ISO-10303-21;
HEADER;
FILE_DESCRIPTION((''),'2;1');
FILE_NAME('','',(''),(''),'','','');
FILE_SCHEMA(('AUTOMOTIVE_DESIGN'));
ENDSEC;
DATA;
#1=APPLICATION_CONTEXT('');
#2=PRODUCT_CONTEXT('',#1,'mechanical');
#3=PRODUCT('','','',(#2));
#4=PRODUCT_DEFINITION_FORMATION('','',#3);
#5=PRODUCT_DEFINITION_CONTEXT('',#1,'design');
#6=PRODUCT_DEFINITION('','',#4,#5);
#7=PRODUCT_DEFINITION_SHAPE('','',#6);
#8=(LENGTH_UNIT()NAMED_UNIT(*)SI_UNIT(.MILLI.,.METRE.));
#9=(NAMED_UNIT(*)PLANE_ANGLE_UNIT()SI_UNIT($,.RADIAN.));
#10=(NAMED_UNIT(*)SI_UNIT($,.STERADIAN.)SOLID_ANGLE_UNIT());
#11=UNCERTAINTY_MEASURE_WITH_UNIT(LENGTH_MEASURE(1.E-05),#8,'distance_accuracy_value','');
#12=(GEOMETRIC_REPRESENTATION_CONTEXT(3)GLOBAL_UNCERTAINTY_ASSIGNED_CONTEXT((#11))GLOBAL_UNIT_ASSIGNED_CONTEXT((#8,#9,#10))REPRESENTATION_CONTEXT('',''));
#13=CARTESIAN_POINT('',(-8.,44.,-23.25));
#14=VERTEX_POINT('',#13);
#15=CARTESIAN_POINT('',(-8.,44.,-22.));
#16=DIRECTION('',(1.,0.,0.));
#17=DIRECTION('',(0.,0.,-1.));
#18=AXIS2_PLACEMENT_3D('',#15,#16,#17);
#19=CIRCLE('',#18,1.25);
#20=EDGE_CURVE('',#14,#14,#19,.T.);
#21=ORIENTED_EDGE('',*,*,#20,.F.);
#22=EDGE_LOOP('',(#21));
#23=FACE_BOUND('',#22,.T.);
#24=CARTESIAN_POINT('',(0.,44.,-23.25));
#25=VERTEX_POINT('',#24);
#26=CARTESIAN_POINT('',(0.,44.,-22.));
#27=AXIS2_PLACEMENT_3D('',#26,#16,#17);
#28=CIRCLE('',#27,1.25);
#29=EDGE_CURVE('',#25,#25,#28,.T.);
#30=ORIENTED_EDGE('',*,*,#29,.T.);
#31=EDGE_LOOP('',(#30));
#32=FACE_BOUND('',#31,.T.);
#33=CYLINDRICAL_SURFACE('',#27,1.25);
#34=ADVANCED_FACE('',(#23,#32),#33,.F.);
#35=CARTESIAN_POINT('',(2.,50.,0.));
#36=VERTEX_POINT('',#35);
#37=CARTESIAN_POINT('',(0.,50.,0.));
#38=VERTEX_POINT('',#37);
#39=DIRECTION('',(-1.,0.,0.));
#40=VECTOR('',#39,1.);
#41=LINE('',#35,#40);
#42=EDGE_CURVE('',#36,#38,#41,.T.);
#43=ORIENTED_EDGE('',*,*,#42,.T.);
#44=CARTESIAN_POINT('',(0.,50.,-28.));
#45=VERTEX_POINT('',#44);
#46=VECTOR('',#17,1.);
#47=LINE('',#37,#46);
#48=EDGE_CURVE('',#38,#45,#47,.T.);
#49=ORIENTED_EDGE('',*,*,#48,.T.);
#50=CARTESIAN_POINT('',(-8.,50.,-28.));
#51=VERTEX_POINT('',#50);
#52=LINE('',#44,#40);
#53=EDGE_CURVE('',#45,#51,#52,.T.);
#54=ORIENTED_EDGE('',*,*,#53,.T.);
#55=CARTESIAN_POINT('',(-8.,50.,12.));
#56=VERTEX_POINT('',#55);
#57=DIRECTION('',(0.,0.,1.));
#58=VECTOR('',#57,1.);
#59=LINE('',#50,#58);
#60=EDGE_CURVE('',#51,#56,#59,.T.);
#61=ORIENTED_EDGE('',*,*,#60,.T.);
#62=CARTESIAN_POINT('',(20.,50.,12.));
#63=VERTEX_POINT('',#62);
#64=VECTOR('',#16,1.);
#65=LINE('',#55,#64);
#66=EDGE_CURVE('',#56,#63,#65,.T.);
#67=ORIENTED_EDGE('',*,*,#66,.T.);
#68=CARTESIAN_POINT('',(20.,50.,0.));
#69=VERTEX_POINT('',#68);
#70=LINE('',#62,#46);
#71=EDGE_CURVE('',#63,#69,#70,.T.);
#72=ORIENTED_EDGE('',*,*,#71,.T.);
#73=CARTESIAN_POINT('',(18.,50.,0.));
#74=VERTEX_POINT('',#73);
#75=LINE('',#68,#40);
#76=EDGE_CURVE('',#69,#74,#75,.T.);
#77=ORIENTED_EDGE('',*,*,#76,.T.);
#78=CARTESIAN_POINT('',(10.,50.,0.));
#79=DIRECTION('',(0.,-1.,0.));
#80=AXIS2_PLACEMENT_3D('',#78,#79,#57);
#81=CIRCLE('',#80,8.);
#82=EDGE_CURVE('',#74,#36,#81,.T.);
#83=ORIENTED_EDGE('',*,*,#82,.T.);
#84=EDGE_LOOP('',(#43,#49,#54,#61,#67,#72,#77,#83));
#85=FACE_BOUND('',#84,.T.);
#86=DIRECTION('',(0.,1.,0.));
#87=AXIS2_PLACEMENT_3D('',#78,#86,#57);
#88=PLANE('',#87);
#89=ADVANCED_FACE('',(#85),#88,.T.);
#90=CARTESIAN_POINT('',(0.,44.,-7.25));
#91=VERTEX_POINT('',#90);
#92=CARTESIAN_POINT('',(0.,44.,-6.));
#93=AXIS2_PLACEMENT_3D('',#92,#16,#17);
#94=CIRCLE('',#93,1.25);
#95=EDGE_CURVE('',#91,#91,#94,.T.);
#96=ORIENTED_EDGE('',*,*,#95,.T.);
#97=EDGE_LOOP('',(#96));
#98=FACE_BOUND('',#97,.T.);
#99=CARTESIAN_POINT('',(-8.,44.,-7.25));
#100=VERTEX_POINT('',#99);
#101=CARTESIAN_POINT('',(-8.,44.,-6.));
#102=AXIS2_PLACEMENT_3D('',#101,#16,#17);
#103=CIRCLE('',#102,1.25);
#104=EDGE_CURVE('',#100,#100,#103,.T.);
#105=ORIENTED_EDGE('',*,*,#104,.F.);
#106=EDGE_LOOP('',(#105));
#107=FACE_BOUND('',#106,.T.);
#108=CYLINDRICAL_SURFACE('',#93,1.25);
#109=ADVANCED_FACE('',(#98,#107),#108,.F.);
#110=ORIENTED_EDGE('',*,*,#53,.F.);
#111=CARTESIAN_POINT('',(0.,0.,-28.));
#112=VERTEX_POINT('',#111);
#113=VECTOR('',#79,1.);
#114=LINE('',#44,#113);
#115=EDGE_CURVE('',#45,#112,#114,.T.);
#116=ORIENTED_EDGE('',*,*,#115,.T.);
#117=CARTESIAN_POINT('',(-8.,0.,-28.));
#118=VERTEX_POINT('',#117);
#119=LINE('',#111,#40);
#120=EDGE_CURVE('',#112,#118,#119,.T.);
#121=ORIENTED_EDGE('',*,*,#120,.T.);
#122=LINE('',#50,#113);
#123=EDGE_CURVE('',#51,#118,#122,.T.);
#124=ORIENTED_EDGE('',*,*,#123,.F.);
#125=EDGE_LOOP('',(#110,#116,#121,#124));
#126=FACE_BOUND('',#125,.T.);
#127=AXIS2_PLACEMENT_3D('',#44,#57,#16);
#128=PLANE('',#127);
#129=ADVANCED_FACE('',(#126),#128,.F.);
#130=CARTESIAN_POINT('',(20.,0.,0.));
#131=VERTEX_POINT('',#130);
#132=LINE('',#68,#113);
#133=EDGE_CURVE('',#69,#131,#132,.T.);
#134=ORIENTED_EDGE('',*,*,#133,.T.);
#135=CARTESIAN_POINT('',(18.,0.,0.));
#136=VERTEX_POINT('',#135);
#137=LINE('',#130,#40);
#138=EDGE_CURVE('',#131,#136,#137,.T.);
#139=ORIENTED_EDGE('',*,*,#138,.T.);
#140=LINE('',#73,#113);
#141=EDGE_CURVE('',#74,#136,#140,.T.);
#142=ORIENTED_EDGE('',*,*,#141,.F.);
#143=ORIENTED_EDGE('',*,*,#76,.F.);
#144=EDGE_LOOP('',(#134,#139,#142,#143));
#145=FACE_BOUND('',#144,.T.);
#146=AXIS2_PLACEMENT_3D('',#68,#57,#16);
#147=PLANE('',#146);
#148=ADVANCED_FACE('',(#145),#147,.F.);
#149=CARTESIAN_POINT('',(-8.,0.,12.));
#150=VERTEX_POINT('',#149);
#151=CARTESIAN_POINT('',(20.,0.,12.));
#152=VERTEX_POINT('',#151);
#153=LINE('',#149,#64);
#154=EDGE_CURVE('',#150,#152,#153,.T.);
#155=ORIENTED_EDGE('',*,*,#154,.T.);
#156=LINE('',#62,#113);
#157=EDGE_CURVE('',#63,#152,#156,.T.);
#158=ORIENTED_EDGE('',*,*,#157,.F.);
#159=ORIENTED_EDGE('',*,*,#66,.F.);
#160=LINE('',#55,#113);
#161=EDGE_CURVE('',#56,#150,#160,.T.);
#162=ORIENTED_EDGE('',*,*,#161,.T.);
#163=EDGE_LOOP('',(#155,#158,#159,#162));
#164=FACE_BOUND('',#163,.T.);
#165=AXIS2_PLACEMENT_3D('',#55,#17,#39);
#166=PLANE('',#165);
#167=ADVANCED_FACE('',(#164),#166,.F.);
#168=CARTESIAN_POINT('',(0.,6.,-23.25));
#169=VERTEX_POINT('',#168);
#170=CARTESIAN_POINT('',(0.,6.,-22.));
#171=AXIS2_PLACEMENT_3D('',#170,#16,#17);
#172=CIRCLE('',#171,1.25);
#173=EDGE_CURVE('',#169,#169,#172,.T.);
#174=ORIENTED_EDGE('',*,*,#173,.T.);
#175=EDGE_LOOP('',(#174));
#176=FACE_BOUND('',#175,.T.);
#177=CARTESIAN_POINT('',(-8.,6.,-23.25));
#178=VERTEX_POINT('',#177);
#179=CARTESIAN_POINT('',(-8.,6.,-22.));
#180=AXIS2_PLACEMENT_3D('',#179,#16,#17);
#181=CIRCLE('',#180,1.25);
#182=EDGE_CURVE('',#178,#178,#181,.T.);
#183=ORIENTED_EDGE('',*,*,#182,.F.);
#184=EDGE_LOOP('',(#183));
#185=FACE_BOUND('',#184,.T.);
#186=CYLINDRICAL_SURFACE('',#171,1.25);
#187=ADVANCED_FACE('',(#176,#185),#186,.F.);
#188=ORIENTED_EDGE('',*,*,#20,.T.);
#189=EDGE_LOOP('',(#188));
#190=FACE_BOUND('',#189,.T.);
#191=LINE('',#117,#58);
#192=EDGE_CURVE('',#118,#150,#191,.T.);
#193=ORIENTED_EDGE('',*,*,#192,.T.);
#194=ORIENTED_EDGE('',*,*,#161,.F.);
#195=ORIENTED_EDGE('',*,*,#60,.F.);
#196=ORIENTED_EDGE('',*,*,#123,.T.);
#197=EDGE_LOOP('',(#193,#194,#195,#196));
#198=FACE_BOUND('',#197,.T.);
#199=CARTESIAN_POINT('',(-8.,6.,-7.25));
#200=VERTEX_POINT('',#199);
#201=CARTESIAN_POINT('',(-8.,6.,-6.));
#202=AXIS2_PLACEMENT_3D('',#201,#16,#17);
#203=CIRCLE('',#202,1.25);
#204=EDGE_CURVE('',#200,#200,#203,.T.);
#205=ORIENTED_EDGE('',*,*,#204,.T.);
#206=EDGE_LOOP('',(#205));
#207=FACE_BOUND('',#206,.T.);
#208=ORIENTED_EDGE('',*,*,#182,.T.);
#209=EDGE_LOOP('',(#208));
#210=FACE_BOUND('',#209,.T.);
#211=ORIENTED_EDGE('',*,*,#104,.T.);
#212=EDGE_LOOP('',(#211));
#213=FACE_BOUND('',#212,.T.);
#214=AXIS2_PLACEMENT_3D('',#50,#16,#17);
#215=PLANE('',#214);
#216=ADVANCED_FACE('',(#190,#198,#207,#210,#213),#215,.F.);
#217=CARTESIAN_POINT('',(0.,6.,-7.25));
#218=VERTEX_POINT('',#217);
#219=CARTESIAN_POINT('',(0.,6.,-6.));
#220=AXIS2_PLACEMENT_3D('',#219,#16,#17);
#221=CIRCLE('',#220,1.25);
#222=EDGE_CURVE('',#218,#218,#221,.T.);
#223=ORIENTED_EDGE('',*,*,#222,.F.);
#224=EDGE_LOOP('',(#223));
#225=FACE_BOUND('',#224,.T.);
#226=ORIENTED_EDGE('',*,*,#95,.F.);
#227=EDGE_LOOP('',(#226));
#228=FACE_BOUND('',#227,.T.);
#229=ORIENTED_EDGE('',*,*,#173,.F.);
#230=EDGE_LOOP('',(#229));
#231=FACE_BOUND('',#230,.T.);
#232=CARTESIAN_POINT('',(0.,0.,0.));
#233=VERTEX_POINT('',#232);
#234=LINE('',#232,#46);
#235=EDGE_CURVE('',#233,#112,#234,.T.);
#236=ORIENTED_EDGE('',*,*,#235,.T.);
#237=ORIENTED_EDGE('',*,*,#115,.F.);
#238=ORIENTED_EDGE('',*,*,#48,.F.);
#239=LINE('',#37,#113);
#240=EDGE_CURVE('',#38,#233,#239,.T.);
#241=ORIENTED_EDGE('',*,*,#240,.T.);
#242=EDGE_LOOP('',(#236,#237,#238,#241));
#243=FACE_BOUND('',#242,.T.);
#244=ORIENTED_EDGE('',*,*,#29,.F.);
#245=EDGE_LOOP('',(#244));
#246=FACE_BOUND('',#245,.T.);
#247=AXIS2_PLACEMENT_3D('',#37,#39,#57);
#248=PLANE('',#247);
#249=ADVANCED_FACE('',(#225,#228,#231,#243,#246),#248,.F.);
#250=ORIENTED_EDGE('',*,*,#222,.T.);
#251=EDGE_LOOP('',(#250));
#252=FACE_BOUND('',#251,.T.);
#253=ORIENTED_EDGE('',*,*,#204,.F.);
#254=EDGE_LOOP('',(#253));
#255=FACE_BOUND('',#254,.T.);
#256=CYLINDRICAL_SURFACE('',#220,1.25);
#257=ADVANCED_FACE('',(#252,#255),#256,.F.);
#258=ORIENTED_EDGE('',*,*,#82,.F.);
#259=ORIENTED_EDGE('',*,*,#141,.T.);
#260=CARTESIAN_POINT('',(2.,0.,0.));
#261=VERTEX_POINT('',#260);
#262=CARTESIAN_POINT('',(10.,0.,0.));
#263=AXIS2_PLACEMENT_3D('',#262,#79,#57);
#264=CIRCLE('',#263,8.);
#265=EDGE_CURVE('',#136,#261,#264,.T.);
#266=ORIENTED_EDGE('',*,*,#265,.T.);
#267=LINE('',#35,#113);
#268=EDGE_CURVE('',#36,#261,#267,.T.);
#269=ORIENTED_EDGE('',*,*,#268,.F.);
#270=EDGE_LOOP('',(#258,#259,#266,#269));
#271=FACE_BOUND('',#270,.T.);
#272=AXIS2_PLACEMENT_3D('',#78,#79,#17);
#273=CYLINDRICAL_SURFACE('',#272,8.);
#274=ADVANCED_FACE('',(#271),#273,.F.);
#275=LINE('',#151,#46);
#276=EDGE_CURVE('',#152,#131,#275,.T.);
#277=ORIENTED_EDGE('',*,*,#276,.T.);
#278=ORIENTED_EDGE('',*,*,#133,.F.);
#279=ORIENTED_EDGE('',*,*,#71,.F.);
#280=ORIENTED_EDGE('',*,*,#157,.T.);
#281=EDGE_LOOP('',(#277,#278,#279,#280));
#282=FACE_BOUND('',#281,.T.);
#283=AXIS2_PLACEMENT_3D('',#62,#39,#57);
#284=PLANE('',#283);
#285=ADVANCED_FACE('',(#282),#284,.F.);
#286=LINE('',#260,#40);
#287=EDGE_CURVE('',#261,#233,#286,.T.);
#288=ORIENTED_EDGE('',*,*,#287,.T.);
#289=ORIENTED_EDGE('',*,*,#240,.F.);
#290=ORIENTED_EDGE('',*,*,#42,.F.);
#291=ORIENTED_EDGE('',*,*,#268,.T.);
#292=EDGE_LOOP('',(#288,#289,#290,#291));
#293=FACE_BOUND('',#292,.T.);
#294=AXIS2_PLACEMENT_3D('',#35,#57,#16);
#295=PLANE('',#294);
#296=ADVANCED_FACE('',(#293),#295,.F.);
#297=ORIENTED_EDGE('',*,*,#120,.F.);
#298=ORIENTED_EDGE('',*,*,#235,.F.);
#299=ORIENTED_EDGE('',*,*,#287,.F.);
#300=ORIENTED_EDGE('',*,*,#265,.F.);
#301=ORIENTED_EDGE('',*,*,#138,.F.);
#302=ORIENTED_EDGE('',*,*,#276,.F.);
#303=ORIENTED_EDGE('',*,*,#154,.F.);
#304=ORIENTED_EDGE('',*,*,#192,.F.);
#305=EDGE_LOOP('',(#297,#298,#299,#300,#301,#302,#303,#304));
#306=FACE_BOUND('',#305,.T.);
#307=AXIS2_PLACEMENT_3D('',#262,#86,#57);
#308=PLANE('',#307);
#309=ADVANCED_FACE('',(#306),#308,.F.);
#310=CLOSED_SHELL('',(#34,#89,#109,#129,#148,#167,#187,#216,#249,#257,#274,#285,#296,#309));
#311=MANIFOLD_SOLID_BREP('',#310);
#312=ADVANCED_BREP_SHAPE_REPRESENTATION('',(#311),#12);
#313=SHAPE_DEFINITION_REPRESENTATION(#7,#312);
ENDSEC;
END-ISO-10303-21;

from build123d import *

# Parameters (mm, degrees)
EXTRUDE_1_DEPTH    = 50
HOLE_WIZARD_M3_1_D = 2.5


with BuildPart() as part:
    # 草图1 → 凸台-拉伸1 (new body)
    with BuildSketch(Plane(origin=(0, 0, 0), x_dir=(1, 0, 0), z_dir=(0, 1, 0))):
        with BuildLine():
            Line((0, 0), (0, 28))
            Line((0, 28), (-8, 28))
            Line((-8, 28), (-8, -12))
            Line((-8, -12), (20, -12))
            Line((20, -12), (20, 0))
            Line((20, 0), (18, 0))
            ThreePointArc((18, 0), (10, -8), (2, 0))
            Line((2, 0), (0, 0))
        make_face()
    extrude(amount=EXTRUDE_1_DEPTH)

    # M3 螺纹孔1 (through all)
    with Locations(Plane(origin=(0, 0, 0), x_dir=(0, 0, -1), z_dir=(1, 0, 0))):
        with Locations((22, 44), (6, 44), (6, 6), (22, 6)):
            Hole(HOLE_WIZARD_M3_1_D / 2)


solid = part.part
